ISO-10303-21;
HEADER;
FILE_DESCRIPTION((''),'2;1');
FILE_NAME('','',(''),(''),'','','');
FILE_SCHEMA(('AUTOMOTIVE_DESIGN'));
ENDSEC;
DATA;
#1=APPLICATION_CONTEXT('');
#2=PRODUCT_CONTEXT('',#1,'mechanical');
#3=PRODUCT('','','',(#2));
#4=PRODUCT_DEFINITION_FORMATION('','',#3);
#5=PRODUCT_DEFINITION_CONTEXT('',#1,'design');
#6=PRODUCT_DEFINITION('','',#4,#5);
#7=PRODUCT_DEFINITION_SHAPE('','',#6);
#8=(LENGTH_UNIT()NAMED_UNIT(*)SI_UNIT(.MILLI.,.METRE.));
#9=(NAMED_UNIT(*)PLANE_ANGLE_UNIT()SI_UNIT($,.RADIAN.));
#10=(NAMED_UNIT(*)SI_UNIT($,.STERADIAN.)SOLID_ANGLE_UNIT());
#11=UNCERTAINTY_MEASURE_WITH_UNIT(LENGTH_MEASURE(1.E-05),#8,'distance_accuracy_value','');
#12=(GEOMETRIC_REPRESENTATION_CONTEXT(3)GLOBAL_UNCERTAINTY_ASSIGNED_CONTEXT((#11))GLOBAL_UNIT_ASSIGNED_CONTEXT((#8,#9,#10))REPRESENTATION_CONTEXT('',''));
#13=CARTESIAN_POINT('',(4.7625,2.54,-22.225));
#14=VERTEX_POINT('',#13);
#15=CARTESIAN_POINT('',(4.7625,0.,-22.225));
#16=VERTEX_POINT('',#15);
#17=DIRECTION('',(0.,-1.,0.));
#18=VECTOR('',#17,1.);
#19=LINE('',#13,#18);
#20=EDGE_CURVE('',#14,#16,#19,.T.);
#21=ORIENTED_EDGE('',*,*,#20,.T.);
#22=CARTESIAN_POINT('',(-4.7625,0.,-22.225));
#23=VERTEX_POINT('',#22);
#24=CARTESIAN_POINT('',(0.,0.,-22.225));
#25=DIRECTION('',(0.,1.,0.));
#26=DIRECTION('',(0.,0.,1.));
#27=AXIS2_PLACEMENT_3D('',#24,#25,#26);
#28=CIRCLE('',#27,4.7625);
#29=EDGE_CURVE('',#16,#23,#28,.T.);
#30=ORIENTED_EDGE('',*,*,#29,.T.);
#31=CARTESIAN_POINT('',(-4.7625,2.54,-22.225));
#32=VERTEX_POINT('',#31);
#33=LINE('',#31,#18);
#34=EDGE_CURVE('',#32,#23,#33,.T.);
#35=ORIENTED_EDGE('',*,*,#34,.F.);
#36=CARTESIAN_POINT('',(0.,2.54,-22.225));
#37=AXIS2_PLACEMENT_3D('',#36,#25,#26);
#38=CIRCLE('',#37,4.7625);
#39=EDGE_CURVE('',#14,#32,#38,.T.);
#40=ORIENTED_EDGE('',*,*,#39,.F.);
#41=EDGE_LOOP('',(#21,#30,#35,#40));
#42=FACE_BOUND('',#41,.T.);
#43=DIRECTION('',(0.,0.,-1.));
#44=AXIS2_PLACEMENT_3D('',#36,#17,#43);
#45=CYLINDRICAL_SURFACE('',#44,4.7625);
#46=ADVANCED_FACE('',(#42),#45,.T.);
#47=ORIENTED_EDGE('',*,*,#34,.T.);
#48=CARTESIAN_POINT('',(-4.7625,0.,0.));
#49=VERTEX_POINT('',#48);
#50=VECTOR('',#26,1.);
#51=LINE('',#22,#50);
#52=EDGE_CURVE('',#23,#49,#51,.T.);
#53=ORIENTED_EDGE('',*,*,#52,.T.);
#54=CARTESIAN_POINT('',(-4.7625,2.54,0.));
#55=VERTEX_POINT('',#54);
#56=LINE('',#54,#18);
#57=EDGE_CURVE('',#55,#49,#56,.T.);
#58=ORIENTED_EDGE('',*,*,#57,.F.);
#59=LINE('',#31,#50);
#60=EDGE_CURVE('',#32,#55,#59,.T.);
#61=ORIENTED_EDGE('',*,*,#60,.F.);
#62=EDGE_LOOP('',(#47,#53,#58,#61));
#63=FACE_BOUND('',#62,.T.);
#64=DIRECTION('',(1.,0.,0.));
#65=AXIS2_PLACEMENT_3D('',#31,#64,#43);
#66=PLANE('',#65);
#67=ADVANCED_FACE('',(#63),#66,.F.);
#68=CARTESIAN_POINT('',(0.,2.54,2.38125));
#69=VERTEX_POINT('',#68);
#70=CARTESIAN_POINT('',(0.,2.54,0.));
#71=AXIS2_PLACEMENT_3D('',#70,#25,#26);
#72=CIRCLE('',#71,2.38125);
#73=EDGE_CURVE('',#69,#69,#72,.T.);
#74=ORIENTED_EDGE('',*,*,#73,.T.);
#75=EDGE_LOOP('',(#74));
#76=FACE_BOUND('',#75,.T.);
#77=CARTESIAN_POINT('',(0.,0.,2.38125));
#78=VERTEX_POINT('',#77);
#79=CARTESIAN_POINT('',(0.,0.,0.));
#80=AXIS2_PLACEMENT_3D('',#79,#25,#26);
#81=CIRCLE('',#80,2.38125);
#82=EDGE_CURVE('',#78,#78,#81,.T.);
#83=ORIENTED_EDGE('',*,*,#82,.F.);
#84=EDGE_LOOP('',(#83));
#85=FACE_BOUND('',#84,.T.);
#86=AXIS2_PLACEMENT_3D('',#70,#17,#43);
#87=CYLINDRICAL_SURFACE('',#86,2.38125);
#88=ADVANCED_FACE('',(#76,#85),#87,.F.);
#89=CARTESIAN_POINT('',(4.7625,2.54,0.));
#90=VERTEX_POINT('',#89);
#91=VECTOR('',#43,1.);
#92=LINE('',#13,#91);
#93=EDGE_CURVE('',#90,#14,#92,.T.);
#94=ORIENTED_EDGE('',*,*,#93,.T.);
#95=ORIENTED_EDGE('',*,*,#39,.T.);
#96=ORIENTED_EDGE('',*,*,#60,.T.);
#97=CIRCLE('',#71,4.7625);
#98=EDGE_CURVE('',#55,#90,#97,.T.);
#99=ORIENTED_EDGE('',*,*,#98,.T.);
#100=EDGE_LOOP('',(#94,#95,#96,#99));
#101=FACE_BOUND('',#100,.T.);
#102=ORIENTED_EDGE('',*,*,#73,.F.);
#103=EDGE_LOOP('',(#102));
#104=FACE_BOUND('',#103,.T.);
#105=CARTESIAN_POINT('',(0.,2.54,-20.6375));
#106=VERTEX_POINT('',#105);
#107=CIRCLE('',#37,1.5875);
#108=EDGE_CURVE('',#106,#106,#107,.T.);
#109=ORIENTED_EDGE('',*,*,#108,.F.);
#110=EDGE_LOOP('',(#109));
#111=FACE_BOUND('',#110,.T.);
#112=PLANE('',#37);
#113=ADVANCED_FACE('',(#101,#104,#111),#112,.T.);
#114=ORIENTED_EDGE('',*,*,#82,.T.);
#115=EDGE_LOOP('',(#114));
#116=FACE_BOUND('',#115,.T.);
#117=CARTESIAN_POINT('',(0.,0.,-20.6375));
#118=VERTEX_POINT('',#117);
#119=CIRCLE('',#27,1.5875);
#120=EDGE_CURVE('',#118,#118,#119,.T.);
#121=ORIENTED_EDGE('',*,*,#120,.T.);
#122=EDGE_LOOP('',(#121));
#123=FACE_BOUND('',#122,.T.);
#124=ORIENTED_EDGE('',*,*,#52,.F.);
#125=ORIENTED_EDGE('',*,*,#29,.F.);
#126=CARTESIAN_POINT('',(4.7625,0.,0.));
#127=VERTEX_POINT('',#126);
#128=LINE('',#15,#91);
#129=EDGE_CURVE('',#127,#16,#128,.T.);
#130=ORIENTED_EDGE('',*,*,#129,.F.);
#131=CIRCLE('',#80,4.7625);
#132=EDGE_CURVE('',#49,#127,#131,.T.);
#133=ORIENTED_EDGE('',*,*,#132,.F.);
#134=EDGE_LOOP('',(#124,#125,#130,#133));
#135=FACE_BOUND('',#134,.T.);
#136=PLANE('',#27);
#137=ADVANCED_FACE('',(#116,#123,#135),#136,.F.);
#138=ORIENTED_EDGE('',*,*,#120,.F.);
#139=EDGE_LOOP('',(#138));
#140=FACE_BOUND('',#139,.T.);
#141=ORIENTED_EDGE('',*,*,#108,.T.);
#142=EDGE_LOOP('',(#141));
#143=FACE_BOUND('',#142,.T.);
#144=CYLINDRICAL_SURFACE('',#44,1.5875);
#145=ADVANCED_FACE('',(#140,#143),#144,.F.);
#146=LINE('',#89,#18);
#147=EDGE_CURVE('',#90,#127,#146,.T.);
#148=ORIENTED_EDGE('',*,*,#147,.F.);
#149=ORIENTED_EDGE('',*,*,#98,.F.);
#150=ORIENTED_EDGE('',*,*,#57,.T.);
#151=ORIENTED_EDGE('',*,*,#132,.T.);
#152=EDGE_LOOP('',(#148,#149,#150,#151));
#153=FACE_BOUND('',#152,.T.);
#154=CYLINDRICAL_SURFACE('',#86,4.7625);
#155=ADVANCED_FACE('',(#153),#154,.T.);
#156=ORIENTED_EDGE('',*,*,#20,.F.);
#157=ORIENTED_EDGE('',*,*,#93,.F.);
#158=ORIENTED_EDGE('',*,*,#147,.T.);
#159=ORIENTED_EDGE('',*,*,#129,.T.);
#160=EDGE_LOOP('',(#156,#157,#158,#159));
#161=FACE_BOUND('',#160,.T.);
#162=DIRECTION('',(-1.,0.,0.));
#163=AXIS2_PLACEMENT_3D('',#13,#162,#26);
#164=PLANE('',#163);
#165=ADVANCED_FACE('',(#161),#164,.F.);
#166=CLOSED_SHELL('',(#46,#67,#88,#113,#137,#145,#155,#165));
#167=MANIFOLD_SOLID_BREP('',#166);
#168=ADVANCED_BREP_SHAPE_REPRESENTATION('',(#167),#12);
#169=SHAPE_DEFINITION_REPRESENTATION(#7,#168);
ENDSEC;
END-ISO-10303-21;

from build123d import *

# Parameters (mm, degrees)
SKETCH1_R           = 2.38125
SKETCH1_R_2         = 1.5875
BOSS_EXTRUDE1_DEPTH = 2.54


with BuildPart() as part:
    # Sketch1 → Boss-Extrude1 (new body)
    with BuildSketch(Plane(origin=(0, 0, 0), x_dir=(1, 0, 0), z_dir=(0, 1, 0))):
        with BuildLine():
            Line((4.7625, 22.225), (4.7625, 0))
            ThreePointArc((4.7625, 0), (0, -4.7625), (-4.7625, 0))
            Line((-4.7625, 0), (-4.7625, 22.225))
            ThreePointArc((-4.7625, 22.225), (0, 26.9875), (4.7625, 22.225))
        make_face()
        Circle(SKETCH1_R, mode=Mode.SUBTRACT)
        with Locations((0, 22.225)):
            Circle(SKETCH1_R_2, mode=Mode.SUBTRACT)
    extrude(amount=BOSS_EXTRUDE1_DEPTH)


solid = part.part
